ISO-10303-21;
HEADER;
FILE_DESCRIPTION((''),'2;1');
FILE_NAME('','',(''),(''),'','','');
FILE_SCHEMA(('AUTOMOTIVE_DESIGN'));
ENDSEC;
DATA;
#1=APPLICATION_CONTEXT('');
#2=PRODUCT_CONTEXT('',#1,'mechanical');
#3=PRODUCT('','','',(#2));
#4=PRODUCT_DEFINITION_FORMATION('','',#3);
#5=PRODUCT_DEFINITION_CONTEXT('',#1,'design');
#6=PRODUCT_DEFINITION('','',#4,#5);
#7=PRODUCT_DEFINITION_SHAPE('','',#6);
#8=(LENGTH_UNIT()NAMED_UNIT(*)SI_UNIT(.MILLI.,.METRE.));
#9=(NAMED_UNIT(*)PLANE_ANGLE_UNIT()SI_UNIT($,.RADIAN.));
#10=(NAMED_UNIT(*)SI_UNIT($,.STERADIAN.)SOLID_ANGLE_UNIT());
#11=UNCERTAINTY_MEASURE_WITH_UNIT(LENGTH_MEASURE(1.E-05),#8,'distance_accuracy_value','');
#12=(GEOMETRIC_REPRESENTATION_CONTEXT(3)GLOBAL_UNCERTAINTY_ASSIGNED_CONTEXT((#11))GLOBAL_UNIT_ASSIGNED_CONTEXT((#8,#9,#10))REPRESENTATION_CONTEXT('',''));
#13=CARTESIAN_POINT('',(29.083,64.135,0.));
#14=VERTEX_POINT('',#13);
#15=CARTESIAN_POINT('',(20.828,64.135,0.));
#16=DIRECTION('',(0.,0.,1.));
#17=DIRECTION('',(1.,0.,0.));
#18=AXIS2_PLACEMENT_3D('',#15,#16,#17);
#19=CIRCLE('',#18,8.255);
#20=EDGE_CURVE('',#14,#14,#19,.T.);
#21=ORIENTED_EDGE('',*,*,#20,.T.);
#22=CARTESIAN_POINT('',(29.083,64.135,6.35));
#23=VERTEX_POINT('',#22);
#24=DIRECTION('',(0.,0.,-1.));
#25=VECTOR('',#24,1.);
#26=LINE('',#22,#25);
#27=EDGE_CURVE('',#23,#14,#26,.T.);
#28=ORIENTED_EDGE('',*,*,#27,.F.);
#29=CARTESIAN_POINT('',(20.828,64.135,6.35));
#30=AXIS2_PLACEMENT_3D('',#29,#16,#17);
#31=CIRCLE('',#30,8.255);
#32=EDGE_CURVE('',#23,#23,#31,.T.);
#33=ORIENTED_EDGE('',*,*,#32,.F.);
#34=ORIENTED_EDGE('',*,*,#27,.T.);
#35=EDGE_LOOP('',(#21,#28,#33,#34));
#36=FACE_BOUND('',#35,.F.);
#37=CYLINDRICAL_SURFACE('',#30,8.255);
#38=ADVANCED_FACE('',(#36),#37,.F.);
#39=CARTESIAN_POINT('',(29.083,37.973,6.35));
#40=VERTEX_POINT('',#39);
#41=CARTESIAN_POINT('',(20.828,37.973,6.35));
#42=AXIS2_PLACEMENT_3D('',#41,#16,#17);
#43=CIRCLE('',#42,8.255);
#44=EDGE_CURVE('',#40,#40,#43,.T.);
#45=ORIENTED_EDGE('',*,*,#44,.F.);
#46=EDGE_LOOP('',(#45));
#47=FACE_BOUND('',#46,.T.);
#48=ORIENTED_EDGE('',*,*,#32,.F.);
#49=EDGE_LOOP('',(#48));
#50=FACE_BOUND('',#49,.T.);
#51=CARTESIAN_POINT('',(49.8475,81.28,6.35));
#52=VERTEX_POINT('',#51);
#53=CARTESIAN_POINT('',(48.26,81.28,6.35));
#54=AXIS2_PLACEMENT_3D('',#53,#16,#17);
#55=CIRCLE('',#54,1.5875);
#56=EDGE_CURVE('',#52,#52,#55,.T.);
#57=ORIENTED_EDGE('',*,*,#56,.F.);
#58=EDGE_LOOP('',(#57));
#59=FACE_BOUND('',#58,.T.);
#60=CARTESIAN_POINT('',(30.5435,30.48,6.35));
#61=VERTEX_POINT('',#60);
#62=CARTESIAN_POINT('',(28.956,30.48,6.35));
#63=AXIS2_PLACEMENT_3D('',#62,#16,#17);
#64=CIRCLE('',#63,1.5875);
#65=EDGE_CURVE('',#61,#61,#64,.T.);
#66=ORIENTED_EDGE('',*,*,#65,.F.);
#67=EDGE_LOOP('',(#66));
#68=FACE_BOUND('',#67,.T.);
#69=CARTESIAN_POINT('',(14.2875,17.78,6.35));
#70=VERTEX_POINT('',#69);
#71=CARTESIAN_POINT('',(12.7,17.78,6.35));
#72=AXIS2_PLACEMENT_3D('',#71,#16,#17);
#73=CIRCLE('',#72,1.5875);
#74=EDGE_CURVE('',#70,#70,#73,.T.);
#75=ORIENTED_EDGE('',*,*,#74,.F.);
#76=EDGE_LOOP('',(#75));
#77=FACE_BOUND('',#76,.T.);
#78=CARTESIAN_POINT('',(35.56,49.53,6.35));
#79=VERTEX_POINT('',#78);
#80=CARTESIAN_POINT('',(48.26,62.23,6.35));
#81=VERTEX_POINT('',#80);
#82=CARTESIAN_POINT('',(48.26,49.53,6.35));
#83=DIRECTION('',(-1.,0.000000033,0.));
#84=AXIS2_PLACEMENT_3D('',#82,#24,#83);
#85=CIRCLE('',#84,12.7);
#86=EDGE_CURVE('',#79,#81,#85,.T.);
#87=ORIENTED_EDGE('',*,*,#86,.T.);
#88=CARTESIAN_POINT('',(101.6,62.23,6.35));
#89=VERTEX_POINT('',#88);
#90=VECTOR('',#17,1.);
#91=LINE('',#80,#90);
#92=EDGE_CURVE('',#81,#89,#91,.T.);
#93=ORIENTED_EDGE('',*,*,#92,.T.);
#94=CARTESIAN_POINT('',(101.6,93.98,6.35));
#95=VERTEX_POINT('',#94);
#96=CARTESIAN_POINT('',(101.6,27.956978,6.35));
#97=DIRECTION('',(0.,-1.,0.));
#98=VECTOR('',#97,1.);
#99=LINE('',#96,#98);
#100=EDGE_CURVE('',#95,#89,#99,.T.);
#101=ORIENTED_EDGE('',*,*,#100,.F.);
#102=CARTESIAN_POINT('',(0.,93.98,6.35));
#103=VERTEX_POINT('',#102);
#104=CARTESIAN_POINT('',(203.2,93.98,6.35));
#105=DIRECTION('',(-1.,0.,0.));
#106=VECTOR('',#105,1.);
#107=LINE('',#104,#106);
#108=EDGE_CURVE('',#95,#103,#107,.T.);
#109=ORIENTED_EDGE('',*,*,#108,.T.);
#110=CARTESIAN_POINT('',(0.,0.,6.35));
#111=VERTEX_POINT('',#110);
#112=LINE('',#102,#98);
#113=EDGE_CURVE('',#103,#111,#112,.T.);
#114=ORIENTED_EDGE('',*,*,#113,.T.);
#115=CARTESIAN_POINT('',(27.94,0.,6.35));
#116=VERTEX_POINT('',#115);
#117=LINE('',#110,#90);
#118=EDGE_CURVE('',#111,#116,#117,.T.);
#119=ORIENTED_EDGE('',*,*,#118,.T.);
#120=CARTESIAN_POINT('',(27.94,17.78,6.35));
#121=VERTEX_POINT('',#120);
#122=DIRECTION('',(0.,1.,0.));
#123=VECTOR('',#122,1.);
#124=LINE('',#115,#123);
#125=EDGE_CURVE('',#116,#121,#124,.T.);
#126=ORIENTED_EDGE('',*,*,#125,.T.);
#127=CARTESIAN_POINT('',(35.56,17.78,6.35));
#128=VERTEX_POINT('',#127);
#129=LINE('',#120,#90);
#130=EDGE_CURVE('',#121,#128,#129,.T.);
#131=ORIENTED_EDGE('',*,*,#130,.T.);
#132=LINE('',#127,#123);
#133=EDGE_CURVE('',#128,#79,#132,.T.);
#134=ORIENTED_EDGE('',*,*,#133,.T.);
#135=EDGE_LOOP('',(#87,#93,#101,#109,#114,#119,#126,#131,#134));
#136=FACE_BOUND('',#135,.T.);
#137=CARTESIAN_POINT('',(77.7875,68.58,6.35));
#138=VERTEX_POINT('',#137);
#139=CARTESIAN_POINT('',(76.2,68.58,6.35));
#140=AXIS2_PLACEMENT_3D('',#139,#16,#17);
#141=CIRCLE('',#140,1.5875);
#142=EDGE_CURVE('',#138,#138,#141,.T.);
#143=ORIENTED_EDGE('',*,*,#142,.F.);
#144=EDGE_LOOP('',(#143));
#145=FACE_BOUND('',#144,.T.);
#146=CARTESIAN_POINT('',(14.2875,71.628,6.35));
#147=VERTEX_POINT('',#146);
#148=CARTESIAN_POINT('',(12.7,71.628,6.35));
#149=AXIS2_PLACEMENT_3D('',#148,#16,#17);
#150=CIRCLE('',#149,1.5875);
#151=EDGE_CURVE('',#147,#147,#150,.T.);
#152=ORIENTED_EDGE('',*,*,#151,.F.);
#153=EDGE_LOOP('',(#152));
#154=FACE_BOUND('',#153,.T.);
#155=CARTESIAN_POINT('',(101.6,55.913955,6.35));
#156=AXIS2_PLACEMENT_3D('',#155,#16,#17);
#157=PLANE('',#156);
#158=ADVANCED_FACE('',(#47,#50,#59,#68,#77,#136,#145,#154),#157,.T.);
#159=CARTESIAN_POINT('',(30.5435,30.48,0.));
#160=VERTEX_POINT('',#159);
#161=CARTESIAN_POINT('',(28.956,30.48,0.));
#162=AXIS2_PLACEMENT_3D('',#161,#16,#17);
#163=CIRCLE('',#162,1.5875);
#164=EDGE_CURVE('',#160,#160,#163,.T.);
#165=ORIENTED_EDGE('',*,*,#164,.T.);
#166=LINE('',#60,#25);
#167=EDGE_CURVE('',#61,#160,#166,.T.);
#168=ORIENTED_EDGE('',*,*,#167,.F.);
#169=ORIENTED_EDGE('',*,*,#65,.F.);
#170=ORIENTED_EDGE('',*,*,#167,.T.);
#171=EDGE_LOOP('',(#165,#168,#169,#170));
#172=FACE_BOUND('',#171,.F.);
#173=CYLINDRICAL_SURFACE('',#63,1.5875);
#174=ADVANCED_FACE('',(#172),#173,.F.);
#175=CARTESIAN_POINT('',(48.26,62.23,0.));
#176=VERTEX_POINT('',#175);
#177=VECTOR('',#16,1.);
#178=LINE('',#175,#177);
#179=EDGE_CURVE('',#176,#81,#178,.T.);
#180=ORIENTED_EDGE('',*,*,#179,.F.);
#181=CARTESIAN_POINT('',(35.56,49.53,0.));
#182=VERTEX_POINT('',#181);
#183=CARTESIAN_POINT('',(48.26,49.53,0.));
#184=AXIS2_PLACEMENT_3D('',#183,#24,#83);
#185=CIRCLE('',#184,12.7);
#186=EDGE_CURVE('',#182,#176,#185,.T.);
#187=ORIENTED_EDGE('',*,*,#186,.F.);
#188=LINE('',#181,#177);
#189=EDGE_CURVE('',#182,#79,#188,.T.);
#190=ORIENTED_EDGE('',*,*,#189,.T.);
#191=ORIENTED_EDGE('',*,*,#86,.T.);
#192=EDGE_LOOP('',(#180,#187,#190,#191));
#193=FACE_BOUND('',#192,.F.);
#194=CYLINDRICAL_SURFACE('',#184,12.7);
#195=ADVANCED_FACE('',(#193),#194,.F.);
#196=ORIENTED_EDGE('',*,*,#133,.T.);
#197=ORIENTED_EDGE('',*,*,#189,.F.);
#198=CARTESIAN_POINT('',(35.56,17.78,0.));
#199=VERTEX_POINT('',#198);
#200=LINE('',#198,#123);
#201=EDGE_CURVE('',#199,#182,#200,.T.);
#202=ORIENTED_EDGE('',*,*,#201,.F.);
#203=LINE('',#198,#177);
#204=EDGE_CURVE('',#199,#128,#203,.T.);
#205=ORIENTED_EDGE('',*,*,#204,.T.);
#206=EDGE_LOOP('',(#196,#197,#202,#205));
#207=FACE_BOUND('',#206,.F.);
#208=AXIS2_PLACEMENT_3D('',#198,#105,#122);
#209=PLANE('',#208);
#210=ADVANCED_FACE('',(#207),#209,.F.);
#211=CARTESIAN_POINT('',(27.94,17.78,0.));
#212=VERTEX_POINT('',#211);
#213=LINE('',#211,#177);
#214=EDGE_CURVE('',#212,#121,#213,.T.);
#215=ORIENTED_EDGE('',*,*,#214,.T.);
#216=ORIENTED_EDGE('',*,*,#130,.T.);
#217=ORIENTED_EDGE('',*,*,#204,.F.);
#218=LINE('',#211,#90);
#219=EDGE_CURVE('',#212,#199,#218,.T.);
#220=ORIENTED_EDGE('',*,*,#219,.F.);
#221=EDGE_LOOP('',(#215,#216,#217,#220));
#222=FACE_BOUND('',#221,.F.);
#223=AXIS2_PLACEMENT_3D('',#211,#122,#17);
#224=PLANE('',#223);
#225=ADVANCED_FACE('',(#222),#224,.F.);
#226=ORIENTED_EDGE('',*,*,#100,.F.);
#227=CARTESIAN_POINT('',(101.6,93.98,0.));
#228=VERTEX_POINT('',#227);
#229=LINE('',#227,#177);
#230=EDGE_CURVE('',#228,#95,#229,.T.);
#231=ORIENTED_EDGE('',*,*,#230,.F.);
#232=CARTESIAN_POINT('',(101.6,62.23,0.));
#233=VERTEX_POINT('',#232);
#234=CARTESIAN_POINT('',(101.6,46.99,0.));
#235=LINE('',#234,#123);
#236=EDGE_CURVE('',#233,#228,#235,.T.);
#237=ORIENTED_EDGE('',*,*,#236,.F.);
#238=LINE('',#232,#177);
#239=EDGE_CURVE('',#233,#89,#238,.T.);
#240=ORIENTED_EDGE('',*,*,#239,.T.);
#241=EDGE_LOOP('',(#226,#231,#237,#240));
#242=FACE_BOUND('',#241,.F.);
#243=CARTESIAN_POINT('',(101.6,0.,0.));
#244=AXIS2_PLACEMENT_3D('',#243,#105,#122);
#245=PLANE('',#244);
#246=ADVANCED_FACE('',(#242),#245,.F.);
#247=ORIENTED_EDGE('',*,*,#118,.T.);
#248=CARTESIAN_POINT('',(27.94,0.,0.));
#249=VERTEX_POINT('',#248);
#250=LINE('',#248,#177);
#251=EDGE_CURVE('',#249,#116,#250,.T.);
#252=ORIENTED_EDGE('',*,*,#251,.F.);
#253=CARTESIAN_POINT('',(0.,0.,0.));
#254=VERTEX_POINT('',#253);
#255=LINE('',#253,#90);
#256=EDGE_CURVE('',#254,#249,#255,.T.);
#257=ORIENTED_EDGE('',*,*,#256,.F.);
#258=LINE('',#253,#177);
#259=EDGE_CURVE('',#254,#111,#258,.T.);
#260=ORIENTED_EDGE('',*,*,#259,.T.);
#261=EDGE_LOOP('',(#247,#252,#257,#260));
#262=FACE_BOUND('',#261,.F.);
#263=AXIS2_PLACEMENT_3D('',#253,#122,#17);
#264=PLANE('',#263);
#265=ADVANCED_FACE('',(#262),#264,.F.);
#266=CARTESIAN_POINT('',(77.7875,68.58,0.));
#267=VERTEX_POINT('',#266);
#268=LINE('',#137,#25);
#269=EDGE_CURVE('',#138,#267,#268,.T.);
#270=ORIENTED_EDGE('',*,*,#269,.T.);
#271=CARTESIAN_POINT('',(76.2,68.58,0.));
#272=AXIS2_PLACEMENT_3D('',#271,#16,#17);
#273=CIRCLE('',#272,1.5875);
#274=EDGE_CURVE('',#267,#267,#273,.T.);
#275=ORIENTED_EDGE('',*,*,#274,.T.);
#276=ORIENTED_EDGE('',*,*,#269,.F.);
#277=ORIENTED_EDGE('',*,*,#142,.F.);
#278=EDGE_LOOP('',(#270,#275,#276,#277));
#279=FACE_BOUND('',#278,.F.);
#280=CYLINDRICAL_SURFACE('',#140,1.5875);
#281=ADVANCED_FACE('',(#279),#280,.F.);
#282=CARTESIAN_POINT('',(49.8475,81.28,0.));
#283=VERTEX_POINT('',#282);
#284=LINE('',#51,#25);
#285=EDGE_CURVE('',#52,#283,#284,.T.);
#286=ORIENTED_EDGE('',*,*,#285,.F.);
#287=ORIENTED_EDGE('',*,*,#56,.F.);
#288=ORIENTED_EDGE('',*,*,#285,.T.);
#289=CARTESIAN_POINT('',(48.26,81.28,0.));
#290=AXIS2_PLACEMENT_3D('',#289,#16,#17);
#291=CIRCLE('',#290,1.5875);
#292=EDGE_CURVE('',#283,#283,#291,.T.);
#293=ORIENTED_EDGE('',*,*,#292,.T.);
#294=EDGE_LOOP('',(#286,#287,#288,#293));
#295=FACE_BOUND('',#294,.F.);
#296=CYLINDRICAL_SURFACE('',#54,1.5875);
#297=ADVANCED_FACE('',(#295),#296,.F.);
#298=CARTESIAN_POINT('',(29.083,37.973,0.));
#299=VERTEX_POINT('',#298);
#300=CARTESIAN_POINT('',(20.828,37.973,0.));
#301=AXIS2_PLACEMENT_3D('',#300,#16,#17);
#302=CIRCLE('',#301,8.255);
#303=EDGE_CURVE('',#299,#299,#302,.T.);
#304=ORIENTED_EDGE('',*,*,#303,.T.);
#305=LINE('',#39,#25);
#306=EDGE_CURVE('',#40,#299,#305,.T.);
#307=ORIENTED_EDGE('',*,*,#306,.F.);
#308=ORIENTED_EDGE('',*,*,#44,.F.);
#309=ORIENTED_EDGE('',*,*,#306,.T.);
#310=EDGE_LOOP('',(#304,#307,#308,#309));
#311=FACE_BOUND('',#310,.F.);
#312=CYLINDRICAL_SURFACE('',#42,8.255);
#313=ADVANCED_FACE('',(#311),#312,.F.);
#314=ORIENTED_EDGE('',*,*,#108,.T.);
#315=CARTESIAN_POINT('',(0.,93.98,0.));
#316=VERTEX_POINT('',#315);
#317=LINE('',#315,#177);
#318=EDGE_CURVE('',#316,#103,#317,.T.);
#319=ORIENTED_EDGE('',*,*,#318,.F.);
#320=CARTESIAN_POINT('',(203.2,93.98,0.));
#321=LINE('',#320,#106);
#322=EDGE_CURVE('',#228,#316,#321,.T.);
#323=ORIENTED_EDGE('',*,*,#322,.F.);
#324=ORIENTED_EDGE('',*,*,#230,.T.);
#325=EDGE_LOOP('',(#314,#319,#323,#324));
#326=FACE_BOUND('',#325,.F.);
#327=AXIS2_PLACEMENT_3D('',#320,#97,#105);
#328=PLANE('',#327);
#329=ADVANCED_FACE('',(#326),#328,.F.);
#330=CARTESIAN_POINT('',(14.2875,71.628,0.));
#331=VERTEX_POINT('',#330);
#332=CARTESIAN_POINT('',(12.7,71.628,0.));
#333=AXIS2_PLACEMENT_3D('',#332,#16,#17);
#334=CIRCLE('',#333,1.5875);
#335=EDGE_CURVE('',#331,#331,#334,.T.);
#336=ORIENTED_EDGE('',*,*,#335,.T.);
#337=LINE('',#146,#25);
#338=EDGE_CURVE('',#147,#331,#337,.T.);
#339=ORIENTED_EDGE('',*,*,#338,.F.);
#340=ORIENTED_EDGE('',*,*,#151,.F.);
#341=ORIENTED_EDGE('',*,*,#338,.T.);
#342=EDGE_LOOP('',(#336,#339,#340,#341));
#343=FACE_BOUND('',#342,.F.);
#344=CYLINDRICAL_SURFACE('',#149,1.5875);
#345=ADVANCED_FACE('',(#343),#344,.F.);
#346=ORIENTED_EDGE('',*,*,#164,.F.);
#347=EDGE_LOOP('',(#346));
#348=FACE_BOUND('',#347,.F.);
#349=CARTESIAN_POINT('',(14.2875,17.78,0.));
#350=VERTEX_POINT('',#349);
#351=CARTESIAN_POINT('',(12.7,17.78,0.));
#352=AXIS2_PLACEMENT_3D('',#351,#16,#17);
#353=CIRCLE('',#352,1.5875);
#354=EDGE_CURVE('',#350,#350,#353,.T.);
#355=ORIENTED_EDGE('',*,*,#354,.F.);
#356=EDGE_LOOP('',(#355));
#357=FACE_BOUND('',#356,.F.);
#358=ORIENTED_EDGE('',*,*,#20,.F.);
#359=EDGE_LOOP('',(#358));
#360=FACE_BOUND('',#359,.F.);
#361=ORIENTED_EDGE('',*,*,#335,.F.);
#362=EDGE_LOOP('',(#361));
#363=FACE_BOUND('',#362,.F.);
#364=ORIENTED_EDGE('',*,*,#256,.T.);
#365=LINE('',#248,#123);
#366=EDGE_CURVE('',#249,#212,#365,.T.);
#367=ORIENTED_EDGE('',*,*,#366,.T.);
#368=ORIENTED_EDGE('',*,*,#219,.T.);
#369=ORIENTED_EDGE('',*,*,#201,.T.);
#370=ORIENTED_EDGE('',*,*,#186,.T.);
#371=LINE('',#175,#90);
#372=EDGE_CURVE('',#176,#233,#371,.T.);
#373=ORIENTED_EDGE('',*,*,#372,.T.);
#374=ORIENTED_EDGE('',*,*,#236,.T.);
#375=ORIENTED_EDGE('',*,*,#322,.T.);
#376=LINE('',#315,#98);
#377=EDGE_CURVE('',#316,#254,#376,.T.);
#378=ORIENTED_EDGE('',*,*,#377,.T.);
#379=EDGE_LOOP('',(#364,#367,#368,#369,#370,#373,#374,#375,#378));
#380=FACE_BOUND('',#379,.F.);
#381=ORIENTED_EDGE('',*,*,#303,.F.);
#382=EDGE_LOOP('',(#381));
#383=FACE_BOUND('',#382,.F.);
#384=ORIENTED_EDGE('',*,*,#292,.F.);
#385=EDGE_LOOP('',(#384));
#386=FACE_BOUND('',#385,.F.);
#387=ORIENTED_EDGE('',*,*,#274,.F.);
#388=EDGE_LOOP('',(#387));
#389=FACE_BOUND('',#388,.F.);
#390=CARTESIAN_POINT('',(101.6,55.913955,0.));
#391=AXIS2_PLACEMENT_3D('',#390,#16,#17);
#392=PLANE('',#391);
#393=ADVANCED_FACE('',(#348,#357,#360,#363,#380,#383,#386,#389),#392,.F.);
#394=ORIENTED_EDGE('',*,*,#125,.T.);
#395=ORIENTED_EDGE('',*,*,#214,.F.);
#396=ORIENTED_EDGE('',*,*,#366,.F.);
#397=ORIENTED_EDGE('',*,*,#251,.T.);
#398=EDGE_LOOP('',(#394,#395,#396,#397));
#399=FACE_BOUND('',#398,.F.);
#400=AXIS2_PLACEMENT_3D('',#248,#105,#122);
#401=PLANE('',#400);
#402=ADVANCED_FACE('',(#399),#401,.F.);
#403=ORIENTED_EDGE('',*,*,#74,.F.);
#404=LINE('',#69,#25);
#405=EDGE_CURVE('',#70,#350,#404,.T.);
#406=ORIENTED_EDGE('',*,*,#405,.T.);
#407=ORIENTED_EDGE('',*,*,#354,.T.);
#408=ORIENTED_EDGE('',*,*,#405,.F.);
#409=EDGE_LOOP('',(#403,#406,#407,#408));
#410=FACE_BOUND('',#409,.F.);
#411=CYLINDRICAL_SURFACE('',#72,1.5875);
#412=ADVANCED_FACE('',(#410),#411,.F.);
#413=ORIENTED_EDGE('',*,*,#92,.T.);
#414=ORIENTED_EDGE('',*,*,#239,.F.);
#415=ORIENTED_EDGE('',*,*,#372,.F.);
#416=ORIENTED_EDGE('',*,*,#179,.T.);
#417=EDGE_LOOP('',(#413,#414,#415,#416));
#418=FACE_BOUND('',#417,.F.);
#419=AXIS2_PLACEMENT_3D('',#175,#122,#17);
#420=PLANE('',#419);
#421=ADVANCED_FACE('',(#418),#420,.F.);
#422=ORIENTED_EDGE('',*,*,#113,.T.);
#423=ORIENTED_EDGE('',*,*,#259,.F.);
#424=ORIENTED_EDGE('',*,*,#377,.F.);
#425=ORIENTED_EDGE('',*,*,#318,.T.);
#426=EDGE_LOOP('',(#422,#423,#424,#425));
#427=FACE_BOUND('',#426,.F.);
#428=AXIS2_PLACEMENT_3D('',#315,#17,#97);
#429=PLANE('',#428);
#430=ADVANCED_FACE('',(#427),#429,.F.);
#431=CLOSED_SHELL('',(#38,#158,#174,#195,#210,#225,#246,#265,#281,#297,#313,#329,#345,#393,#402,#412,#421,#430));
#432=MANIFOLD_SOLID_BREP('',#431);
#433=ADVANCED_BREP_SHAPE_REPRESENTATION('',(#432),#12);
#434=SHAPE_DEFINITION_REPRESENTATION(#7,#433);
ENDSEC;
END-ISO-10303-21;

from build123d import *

# Parameters (mm, degrees)
F1_DEPTH = 6.35
F2_R     = 1.5875
F2_R_2   = 8.255
F3_DEPTH = 6.35
F4_W     = 101.6
F4_H     = 93.98
F5_DEPTH = 25.4


with BuildPart() as f1:
    # F0 (on Top) → F1 (new body)
    with BuildSketch(Plane.XY):
        with BuildLine():
            Line((0, 93.98), (0, 0))
            Line((0, 0), (27.94, 0))
            Line((27.94, 0), (27.94, 17.78))
            Line((27.94, 17.78), (35.56, 17.78))
            Line((35.56, 17.78), (35.56, 49.53))
            ThreePointArc((35.56, 49.53), (39.279744, 58.510256), (48.26, 62.23))
            Line((48.26, 62.23), (154.94, 62.23))
            ThreePointArc((154.94, 62.23), (163.920256, 58.510256), (167.64, 49.53))
            Line((167.64, 49.53), (167.64, 17.78))
            Line((167.64, 17.78), (175.26, 17.78))
            Line((175.26, 17.78), (175.26, 0))
            Line((175.26, 0), (203.2, 0))
            Line((203.2, 0), (203.2, 93.98))
            Line((203.2, 93.98), (0, 93.98))
        make_face()
    extrude(amount=F1_DEPTH)

    # F2 (on face) → F3 (cut)
    with BuildSketch(Plane.XY.offset(6.35)):
        with Locations((12.7, 17.78)):
            Circle(F2_R)
        with Locations((28.956, 30.48)):
            Circle(F2_R)
        with Locations((20.828, 37.973)):
            Circle(F2_R_2)
        with Locations((20.828, 64.135)):
            Circle(F2_R_2)
        with Locations((12.7, 71.628)):
            Circle(F2_R)
        with Locations((48.26, 81.28)):
            Circle(F2_R)
        with Locations((76.2, 68.58)):
            Circle(F2_R)
        with Locations((127, 68.58)):
            Circle(F2_R)
        with Locations((154.94, 81.28)):
            Circle(F2_R)
        with Locations((174.244, 71.628)):
            Circle(F2_R)
        with Locations((182.372, 64.135)):
            Circle(F2_R_2)
        with Locations((182.372, 37.973)):
            Circle(F2_R_2)
        with Locations((190.5, 30.48)):
            Circle(F2_R)
        with Locations((190.5, 17.78)):
            Circle(F2_R)
    extrude(amount=-F3_DEPTH, mode=Mode.SUBTRACT)

    # F4 (on Top) → F5 (cut)
    with BuildSketch(Plane.XY):
        with Locations((152.4, 46.99)):
            Rectangle(F4_W, F4_H)
    extrude(amount=F5_DEPTH, mode=Mode.SUBTRACT)


solid = f1.part
